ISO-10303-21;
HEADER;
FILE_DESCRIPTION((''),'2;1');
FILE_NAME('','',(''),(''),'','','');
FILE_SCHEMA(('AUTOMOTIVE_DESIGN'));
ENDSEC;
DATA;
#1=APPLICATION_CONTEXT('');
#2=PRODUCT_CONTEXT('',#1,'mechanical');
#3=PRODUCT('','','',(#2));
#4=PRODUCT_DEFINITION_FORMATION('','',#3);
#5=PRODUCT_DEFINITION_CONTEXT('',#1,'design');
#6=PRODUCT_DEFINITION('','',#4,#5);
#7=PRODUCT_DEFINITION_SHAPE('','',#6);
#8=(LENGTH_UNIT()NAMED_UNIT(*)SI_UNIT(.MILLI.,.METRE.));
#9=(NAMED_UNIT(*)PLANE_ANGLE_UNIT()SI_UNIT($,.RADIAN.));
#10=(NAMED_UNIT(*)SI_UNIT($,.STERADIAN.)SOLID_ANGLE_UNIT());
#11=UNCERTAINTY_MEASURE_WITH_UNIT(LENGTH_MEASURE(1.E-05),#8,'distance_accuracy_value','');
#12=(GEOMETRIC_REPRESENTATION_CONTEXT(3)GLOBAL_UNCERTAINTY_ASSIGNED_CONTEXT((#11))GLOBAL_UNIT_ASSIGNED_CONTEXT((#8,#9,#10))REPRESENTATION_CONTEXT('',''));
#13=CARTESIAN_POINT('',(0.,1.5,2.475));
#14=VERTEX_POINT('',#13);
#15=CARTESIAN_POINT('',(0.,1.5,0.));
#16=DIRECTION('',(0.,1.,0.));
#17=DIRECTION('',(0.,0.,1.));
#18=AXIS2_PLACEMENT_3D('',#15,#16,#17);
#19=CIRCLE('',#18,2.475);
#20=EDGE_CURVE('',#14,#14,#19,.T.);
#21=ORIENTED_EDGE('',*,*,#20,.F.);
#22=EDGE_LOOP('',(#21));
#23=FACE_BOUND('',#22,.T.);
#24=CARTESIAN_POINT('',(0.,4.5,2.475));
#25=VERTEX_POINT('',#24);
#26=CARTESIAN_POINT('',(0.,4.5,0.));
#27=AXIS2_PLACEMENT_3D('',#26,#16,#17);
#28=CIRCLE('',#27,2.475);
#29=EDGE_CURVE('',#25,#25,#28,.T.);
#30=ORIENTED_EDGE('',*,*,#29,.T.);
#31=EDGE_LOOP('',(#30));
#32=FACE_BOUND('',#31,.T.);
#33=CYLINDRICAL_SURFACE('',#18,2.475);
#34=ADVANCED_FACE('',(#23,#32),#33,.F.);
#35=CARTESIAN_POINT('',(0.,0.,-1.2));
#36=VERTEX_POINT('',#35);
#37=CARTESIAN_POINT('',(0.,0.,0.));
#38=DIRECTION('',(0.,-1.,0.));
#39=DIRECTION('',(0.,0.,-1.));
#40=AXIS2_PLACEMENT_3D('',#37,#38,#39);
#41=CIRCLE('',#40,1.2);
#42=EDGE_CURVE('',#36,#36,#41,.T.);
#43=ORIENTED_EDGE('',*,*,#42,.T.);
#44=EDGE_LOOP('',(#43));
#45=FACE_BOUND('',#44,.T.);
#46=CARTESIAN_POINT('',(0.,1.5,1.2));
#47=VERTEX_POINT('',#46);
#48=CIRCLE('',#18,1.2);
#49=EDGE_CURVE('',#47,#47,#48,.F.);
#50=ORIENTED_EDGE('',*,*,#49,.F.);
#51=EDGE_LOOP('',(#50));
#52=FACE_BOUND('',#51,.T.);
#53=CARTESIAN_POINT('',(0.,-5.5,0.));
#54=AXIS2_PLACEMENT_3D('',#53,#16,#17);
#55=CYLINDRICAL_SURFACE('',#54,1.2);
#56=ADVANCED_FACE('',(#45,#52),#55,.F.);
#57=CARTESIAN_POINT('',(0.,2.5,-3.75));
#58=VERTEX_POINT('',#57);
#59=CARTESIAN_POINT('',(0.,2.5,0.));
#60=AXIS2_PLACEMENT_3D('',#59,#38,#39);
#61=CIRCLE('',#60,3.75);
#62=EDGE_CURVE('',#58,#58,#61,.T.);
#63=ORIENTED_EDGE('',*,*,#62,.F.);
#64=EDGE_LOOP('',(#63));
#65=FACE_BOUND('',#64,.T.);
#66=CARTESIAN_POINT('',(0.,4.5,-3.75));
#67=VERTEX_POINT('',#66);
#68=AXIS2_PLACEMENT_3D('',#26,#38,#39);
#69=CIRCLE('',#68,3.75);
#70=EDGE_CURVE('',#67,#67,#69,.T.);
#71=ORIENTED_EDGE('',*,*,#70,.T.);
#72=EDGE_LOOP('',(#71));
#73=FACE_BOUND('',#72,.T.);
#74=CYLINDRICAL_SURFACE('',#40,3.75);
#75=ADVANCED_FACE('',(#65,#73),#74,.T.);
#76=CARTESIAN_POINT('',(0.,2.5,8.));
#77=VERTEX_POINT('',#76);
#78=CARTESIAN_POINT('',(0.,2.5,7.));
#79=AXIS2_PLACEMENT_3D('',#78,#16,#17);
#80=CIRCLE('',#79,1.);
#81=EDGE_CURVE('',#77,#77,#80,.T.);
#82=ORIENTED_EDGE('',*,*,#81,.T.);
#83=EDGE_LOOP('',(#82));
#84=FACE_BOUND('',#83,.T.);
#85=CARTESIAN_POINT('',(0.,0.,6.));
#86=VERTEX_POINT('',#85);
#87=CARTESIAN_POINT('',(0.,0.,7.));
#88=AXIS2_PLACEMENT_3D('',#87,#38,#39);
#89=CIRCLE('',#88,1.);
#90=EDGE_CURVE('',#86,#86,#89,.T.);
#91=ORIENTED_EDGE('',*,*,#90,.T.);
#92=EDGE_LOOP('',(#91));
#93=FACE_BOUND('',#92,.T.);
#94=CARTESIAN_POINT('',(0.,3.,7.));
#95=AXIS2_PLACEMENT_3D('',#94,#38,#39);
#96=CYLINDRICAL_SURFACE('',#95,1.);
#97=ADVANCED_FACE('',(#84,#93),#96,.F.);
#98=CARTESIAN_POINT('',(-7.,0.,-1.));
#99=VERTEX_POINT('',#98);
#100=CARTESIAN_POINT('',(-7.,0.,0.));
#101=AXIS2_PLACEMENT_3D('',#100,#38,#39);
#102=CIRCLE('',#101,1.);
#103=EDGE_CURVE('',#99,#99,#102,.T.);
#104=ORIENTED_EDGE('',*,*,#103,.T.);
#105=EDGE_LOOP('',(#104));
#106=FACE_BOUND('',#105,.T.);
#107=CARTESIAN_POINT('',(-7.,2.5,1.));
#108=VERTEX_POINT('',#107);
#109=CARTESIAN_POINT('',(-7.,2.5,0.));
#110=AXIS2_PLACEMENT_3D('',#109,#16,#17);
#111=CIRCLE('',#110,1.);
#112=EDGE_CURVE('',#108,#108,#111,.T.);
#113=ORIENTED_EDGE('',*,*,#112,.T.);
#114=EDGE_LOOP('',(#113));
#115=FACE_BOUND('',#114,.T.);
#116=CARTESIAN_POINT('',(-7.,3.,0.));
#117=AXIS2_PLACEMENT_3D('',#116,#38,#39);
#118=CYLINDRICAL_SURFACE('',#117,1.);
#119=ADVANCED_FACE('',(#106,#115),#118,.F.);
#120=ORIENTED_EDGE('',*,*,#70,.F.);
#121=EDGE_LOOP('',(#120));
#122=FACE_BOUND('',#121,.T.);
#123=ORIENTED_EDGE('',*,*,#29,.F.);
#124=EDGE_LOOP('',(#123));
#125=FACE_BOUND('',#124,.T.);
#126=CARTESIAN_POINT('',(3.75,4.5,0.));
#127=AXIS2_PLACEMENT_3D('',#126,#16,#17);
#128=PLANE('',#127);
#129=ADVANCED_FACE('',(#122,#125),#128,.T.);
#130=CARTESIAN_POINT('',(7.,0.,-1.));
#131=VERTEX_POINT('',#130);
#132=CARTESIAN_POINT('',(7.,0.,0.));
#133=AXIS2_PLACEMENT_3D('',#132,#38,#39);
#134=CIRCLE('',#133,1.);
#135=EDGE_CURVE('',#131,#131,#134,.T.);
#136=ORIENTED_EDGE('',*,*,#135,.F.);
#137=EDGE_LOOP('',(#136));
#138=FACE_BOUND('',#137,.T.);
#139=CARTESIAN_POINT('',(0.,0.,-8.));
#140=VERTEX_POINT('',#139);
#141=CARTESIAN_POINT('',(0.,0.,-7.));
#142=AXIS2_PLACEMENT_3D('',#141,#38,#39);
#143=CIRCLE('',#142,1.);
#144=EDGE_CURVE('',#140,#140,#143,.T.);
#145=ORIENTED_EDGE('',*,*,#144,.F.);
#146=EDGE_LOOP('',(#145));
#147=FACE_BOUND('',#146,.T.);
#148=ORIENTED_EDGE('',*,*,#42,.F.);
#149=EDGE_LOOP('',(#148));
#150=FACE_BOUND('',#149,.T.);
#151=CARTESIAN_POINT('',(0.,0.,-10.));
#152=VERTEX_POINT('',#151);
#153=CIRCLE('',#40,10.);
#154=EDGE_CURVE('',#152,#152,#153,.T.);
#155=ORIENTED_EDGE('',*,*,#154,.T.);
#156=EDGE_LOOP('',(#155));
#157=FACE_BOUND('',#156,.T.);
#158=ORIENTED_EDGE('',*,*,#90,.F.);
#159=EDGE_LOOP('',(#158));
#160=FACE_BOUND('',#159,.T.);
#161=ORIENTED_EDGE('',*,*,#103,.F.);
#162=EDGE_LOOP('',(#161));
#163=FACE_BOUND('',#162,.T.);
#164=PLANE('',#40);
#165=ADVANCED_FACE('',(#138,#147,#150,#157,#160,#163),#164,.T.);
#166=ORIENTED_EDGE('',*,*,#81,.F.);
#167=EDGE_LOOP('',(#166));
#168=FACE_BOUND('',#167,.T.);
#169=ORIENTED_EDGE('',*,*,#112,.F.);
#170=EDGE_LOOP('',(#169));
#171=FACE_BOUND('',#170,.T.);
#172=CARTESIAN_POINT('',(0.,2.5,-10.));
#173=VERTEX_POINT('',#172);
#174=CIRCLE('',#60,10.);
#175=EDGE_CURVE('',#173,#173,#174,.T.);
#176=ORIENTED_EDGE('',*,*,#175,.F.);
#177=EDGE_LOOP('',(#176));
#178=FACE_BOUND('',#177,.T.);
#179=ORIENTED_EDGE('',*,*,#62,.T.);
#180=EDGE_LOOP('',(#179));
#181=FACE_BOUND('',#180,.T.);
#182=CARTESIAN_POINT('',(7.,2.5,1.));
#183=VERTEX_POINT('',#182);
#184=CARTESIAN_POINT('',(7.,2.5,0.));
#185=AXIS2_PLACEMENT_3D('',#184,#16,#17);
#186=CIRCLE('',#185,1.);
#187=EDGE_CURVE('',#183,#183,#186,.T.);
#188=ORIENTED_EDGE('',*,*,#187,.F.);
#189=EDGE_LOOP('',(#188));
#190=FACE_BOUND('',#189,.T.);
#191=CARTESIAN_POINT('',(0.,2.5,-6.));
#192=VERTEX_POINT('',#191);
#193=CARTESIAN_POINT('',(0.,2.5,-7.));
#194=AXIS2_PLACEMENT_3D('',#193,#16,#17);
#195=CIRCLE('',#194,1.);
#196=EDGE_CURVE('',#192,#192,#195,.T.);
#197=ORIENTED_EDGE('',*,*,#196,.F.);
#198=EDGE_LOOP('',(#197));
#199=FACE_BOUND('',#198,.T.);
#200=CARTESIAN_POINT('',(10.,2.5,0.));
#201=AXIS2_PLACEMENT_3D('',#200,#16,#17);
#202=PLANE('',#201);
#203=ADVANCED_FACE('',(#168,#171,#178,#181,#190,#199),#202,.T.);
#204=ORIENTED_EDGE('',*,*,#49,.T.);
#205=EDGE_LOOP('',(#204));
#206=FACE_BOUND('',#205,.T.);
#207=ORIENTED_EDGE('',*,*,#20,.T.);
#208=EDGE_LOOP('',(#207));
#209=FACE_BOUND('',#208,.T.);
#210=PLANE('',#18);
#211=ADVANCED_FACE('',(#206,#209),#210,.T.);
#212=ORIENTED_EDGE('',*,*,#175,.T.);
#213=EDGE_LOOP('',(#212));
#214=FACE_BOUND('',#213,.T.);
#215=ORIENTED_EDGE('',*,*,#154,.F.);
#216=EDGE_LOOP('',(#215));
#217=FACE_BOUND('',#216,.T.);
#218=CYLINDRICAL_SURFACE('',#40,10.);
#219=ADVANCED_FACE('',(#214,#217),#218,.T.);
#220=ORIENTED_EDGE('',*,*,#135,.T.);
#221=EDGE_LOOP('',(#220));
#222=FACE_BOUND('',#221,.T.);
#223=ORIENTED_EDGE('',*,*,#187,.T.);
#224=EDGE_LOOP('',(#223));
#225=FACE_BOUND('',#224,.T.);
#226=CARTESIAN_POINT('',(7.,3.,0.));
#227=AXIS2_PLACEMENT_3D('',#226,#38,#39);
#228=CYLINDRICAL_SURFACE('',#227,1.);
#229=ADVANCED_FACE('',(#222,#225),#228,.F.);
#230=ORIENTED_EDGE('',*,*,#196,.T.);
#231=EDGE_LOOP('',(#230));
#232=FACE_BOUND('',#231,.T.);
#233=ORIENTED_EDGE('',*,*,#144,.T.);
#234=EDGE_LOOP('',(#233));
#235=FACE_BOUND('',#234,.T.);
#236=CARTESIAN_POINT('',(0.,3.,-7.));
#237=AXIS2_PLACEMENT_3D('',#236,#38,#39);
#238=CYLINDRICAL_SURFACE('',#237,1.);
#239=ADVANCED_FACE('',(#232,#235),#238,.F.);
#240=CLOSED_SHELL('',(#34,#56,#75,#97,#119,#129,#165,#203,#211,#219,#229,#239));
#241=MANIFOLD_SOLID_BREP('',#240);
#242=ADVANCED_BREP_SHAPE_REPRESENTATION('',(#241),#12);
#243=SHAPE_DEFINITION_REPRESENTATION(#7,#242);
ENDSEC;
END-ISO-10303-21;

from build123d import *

# Parameters (mm, degrees)
SKETCH_2_R          = 1.2
CUT_EXTRUDE_1_DEPTH = 10
SKETCH_3_R          = 2.475
CUT_EXTRUDE_2_DEPTH = 3
SKETCH_4_R          = 1
CUT_EXTRUDE_3_DEPTH = 3


with BuildPart() as part:
    # 草图1 → 旋转1 (revolve)
    with BuildSketch(Plane.XY, mode=Mode.PRIVATE) as revolve_1_sk:
        Polygon((0, 0), (10, 0), (10, 2.5), (3.75, 2.5), (3.75, 4.5), (0, 4.5), align=None)
    revolve(revolve_1_sk.sketch.rotate(Axis((0, 0, 0), (0, 1, 0)), 90), axis=Axis((0, 0, 0), (0, 1, 0)))

    # 草图2 → 切除-拉伸1 (cut)
    with BuildSketch(Plane(origin=(0, 4.5, 0), x_dir=(1, 0, 0), z_dir=(0, 1, 0))):
        with Locations(Location((0, 0, 0), (0, 0, 270))):
            Circle(SKETCH_2_R)
    extrude(amount=-CUT_EXTRUDE_1_DEPTH, mode=Mode.SUBTRACT)

    # 草图3 → 切除-拉伸2 (cut)
    with BuildSketch(Plane(origin=(0, 4.5, 0), x_dir=(1, 0, 0), z_dir=(0, 1, 0))):
        with Locations(Location((0, 0, 0), (0, 0, 270))):
            Circle(SKETCH_3_R)
    extrude(amount=-CUT_EXTRUDE_2_DEPTH, mode=Mode.SUBTRACT)

    # 草图4 → 切除-拉伸3 (cut)
    with BuildSketch(Plane.XZ):
        with Locations(Location((7, 0, 0), (0, 0, 270))):
            Circle(SKETCH_4_R)
        with Locations(Location((0, -7, 0), (0, 0, 270))):
            Circle(SKETCH_4_R)
        with Locations(Location((-7, 0, 0), (0, 0, 270))):
            Circle(SKETCH_4_R)
        with Locations(Location((0, 7, 0), (0, 0, 270))):
            Circle(SKETCH_4_R)
    extrude(amount=-CUT_EXTRUDE_3_DEPTH, mode=Mode.SUBTRACT)


solid = part.part
